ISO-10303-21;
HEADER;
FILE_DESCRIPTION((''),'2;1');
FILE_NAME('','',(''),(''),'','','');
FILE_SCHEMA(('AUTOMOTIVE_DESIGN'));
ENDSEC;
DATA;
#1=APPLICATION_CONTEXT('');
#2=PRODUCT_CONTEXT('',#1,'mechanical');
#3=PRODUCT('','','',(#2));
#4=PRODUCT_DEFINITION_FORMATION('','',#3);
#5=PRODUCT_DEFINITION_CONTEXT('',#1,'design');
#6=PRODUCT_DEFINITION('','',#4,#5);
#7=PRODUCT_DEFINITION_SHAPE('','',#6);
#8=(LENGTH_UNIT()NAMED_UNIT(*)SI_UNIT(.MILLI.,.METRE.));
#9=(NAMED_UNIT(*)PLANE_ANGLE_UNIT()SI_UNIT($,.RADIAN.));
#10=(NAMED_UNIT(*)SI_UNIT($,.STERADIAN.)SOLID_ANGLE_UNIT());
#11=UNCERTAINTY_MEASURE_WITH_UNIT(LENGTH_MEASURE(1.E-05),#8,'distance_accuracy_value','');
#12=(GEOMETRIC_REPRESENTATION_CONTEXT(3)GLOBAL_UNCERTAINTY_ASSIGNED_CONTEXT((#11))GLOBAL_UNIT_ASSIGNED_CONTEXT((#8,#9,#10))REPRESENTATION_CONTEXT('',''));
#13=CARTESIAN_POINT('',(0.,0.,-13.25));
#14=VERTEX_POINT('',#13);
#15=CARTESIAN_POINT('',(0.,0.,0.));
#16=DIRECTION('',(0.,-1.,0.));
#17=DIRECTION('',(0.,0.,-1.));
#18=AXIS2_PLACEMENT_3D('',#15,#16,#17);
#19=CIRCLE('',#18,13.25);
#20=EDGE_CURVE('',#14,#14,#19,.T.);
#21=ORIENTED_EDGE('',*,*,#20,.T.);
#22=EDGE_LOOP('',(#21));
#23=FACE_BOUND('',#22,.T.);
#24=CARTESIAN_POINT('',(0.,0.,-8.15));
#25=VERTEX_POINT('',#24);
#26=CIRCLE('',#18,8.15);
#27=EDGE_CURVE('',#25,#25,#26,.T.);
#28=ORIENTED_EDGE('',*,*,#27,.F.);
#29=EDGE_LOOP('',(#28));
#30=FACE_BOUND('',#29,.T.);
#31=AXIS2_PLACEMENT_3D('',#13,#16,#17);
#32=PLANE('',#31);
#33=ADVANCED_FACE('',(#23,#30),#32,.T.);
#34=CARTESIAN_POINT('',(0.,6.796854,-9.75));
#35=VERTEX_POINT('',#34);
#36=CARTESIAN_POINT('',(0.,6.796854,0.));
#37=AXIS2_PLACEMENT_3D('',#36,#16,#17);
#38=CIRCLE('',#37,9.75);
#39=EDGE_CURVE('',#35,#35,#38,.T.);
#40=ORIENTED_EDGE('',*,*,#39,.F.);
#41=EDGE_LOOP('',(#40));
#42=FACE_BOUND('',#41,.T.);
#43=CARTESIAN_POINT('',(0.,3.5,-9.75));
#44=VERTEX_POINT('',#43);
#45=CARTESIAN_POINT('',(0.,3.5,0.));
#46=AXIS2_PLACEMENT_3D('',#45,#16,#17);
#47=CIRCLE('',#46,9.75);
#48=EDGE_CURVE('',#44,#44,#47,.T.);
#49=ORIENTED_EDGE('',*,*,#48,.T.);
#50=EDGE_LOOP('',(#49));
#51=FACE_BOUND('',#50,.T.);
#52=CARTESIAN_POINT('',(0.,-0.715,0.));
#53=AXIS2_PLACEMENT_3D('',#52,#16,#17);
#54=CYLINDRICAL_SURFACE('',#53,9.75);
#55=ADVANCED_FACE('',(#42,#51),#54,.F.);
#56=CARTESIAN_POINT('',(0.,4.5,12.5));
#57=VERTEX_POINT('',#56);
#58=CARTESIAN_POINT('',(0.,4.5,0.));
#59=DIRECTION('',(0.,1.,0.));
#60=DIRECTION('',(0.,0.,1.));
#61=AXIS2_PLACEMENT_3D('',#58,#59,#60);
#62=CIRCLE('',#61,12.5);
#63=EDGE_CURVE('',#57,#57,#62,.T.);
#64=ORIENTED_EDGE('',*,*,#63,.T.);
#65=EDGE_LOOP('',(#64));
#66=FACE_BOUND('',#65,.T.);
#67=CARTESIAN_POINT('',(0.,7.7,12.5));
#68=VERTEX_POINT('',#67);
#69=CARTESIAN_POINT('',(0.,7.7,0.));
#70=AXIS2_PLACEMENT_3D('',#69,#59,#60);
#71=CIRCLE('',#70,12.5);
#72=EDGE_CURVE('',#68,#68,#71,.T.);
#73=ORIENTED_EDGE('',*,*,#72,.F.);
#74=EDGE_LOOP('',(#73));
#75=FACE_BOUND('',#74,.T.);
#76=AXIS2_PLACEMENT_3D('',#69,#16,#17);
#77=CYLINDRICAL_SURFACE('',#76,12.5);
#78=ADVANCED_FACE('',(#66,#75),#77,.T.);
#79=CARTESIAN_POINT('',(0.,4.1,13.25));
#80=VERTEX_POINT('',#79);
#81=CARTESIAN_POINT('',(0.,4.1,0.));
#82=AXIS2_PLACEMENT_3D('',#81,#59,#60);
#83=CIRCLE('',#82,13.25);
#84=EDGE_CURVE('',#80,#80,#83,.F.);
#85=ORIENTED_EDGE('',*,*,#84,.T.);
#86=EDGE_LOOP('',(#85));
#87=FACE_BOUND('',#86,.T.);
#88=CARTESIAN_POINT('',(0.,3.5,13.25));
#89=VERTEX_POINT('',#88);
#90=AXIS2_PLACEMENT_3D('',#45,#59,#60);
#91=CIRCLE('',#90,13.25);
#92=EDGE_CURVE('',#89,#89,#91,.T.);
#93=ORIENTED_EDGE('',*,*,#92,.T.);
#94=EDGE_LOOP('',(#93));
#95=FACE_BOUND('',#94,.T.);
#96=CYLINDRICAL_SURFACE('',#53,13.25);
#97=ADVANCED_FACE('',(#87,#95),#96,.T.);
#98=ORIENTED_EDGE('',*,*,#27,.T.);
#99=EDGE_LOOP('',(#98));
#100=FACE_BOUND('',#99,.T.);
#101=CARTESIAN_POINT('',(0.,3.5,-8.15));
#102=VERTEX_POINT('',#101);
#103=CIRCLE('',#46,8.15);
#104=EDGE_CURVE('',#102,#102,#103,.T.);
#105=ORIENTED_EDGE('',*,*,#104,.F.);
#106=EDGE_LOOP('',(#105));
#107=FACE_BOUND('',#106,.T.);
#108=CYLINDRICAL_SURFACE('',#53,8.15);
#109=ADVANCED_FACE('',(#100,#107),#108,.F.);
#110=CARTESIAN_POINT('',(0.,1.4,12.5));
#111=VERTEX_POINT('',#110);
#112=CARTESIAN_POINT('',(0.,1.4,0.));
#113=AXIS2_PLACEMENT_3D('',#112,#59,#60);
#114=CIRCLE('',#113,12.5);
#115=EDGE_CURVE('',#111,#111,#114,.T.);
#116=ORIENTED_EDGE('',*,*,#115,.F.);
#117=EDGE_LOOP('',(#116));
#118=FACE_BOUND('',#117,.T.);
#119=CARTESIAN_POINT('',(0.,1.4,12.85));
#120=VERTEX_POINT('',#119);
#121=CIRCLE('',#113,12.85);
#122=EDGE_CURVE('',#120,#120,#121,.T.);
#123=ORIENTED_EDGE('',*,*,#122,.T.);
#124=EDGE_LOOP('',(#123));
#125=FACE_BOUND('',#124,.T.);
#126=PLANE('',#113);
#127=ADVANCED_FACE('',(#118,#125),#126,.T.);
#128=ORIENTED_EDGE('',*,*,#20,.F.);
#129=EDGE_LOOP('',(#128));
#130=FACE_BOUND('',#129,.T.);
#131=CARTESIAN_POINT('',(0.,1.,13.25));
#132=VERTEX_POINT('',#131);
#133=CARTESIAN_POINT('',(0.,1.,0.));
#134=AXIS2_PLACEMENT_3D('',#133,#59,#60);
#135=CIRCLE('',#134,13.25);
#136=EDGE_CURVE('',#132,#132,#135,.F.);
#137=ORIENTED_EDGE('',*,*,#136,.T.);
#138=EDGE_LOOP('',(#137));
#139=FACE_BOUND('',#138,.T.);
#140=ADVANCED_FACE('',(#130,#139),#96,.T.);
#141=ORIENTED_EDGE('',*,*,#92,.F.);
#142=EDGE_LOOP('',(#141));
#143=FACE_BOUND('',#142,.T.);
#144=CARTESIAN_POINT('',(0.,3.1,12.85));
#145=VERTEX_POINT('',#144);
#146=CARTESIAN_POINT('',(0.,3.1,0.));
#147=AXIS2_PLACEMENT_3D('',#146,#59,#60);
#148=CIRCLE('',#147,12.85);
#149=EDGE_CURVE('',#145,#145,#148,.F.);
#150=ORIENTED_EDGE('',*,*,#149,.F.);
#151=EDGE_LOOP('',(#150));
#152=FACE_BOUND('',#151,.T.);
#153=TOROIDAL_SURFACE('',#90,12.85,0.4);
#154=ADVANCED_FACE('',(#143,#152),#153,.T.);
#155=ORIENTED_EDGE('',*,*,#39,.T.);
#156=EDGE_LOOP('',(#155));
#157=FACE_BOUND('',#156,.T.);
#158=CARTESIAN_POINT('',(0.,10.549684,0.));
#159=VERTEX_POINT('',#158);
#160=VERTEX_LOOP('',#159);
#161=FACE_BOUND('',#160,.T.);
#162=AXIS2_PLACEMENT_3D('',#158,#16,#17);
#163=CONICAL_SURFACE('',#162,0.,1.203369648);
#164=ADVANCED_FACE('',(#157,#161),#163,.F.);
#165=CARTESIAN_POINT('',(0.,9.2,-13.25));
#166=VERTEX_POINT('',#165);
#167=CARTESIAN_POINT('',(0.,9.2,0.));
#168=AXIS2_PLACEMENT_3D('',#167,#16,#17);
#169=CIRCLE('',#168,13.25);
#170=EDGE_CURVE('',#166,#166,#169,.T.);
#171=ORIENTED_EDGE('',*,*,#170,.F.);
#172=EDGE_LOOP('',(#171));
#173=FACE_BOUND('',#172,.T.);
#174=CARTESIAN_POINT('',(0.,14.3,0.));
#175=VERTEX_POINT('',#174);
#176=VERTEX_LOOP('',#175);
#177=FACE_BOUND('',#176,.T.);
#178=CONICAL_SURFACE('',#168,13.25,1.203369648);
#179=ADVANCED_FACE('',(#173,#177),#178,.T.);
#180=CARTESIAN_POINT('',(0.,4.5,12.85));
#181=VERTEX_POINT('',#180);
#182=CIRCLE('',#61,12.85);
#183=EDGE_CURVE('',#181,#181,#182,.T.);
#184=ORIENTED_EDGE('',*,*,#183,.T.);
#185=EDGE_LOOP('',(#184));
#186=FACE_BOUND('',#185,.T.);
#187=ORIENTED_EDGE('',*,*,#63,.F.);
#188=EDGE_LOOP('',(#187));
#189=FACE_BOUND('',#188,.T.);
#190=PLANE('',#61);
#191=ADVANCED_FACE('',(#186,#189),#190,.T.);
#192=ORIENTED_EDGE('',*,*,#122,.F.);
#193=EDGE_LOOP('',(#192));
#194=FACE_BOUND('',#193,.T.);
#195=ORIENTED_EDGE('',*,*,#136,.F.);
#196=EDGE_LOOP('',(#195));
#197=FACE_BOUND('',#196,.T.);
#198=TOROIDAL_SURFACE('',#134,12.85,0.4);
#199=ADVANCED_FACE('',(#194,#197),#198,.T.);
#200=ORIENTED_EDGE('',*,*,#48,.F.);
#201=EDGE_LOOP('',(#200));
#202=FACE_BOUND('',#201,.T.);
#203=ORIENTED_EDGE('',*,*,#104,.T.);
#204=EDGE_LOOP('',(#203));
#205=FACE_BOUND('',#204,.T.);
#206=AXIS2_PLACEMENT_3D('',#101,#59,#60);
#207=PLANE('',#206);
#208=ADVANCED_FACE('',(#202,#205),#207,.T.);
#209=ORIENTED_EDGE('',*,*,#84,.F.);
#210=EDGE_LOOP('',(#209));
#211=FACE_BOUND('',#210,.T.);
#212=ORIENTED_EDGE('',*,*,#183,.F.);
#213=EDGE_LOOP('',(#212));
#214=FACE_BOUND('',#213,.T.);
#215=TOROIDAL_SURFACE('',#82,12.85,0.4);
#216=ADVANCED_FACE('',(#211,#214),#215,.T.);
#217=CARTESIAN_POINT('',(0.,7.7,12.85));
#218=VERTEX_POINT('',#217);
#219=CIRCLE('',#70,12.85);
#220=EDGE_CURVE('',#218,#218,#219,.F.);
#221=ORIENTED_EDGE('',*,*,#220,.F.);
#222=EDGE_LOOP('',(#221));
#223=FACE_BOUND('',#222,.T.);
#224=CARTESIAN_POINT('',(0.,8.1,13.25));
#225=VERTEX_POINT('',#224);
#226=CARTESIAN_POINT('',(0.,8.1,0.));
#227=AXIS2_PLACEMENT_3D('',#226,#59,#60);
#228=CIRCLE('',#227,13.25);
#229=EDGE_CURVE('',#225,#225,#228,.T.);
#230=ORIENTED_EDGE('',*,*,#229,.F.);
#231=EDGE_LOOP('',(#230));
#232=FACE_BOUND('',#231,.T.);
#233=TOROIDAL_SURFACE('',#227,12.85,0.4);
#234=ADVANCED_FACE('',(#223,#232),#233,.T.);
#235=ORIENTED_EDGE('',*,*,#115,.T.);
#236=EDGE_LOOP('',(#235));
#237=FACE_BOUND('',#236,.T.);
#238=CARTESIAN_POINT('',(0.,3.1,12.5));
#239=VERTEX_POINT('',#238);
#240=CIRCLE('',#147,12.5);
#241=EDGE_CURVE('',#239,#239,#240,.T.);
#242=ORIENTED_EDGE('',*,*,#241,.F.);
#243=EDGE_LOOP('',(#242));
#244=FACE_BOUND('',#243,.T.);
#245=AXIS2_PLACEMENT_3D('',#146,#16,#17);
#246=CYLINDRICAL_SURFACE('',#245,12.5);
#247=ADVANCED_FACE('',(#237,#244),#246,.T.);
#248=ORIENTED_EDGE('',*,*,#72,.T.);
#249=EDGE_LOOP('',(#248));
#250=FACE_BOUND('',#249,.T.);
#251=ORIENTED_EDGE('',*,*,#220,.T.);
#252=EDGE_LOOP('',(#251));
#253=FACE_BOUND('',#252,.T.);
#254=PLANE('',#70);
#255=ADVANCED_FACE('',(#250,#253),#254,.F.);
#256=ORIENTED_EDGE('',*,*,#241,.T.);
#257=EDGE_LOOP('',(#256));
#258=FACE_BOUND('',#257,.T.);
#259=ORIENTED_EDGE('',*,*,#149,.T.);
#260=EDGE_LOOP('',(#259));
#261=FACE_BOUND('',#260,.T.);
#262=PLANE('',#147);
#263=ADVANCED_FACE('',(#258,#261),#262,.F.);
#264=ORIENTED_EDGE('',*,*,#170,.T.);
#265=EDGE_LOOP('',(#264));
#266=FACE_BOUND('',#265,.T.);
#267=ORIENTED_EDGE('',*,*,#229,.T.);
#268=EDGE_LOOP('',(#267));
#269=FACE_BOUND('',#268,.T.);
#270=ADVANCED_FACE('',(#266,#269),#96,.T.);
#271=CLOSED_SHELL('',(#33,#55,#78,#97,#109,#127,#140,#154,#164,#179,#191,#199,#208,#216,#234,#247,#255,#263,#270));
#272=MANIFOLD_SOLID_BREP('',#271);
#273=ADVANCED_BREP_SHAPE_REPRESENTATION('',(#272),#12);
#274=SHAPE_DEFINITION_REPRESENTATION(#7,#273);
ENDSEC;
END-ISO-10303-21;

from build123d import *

# Parameters (mm, degrees)
SKETCH3_R          = 13.25
SKETCH3_R_2        = 12.5
CUT_EXTRUDE1_DEPTH = 1.7
SKETCH4_R          = 13.25
SKETCH4_R_2        = 12.5
CUT_EXTRUDE2_DEPTH = 3.2
FILLET1_R          = 0.4


with BuildPart() as part:
    # Sketch2 → Revolve1 (revolve)
    with BuildSketch(Plane(origin=(0, 0, 0), x_dir=(0, 0, -1), z_dir=(1, 0, 0))):
        Polygon((0, 14.3), (13.25, 9.2), (13.25, 0), (8.15, 0), (8.15, 3.5), (9.75, 3.5), (9.75, 6.796854291), (0, 10.54968448), align=None)
    revolve(axis=Axis((0, -0.715, 0), (0, 1, 0)))

    # Sketch3 → Cut-Extrude1 (cut)
    with BuildSketch(Plane(origin=(0, 1.4, 0), x_dir=(1, 0, 0), z_dir=(0, 1, 0))):
        with Locations(Location((0, 0, 0), (0, 0, 90))):
            Circle(SKETCH3_R)
        with Locations(Location((0, 0, 0), (0, 0, 270))):
            Circle(SKETCH3_R_2, mode=Mode.SUBTRACT)
    extrude(amount=CUT_EXTRUDE1_DEPTH, mode=Mode.SUBTRACT)

    # Sketch4 → Cut-Extrude2 (cut)
    with BuildSketch(Plane(origin=(0, 4.5, 0), x_dir=(1, 0, 0), z_dir=(0, 1, 0))):
        with Locations(Location((0, 0, 0), (0, 0, 270))):
            Circle(SKETCH4_R)
        with Locations(Location((0, 0, 0), (0, 0, 270))):
            Circle(SKETCH4_R_2, mode=Mode.SUBTRACT)
    extrude(amount=CUT_EXTRUDE2_DEPTH, mode=Mode.SUBTRACT)

    # Fillet1
    fillet1_edges = [part.edges().sort_by_distance(p)[0] for p in [
        (0, 3.1, 13.25),
        (0, 1.4, 13.25),
        (0, 7.7, 13.25),
        (0, 4.5, 13.25),
    ]]
    fillet(fillet1_edges, radius=FILLET1_R)


solid = part.part
